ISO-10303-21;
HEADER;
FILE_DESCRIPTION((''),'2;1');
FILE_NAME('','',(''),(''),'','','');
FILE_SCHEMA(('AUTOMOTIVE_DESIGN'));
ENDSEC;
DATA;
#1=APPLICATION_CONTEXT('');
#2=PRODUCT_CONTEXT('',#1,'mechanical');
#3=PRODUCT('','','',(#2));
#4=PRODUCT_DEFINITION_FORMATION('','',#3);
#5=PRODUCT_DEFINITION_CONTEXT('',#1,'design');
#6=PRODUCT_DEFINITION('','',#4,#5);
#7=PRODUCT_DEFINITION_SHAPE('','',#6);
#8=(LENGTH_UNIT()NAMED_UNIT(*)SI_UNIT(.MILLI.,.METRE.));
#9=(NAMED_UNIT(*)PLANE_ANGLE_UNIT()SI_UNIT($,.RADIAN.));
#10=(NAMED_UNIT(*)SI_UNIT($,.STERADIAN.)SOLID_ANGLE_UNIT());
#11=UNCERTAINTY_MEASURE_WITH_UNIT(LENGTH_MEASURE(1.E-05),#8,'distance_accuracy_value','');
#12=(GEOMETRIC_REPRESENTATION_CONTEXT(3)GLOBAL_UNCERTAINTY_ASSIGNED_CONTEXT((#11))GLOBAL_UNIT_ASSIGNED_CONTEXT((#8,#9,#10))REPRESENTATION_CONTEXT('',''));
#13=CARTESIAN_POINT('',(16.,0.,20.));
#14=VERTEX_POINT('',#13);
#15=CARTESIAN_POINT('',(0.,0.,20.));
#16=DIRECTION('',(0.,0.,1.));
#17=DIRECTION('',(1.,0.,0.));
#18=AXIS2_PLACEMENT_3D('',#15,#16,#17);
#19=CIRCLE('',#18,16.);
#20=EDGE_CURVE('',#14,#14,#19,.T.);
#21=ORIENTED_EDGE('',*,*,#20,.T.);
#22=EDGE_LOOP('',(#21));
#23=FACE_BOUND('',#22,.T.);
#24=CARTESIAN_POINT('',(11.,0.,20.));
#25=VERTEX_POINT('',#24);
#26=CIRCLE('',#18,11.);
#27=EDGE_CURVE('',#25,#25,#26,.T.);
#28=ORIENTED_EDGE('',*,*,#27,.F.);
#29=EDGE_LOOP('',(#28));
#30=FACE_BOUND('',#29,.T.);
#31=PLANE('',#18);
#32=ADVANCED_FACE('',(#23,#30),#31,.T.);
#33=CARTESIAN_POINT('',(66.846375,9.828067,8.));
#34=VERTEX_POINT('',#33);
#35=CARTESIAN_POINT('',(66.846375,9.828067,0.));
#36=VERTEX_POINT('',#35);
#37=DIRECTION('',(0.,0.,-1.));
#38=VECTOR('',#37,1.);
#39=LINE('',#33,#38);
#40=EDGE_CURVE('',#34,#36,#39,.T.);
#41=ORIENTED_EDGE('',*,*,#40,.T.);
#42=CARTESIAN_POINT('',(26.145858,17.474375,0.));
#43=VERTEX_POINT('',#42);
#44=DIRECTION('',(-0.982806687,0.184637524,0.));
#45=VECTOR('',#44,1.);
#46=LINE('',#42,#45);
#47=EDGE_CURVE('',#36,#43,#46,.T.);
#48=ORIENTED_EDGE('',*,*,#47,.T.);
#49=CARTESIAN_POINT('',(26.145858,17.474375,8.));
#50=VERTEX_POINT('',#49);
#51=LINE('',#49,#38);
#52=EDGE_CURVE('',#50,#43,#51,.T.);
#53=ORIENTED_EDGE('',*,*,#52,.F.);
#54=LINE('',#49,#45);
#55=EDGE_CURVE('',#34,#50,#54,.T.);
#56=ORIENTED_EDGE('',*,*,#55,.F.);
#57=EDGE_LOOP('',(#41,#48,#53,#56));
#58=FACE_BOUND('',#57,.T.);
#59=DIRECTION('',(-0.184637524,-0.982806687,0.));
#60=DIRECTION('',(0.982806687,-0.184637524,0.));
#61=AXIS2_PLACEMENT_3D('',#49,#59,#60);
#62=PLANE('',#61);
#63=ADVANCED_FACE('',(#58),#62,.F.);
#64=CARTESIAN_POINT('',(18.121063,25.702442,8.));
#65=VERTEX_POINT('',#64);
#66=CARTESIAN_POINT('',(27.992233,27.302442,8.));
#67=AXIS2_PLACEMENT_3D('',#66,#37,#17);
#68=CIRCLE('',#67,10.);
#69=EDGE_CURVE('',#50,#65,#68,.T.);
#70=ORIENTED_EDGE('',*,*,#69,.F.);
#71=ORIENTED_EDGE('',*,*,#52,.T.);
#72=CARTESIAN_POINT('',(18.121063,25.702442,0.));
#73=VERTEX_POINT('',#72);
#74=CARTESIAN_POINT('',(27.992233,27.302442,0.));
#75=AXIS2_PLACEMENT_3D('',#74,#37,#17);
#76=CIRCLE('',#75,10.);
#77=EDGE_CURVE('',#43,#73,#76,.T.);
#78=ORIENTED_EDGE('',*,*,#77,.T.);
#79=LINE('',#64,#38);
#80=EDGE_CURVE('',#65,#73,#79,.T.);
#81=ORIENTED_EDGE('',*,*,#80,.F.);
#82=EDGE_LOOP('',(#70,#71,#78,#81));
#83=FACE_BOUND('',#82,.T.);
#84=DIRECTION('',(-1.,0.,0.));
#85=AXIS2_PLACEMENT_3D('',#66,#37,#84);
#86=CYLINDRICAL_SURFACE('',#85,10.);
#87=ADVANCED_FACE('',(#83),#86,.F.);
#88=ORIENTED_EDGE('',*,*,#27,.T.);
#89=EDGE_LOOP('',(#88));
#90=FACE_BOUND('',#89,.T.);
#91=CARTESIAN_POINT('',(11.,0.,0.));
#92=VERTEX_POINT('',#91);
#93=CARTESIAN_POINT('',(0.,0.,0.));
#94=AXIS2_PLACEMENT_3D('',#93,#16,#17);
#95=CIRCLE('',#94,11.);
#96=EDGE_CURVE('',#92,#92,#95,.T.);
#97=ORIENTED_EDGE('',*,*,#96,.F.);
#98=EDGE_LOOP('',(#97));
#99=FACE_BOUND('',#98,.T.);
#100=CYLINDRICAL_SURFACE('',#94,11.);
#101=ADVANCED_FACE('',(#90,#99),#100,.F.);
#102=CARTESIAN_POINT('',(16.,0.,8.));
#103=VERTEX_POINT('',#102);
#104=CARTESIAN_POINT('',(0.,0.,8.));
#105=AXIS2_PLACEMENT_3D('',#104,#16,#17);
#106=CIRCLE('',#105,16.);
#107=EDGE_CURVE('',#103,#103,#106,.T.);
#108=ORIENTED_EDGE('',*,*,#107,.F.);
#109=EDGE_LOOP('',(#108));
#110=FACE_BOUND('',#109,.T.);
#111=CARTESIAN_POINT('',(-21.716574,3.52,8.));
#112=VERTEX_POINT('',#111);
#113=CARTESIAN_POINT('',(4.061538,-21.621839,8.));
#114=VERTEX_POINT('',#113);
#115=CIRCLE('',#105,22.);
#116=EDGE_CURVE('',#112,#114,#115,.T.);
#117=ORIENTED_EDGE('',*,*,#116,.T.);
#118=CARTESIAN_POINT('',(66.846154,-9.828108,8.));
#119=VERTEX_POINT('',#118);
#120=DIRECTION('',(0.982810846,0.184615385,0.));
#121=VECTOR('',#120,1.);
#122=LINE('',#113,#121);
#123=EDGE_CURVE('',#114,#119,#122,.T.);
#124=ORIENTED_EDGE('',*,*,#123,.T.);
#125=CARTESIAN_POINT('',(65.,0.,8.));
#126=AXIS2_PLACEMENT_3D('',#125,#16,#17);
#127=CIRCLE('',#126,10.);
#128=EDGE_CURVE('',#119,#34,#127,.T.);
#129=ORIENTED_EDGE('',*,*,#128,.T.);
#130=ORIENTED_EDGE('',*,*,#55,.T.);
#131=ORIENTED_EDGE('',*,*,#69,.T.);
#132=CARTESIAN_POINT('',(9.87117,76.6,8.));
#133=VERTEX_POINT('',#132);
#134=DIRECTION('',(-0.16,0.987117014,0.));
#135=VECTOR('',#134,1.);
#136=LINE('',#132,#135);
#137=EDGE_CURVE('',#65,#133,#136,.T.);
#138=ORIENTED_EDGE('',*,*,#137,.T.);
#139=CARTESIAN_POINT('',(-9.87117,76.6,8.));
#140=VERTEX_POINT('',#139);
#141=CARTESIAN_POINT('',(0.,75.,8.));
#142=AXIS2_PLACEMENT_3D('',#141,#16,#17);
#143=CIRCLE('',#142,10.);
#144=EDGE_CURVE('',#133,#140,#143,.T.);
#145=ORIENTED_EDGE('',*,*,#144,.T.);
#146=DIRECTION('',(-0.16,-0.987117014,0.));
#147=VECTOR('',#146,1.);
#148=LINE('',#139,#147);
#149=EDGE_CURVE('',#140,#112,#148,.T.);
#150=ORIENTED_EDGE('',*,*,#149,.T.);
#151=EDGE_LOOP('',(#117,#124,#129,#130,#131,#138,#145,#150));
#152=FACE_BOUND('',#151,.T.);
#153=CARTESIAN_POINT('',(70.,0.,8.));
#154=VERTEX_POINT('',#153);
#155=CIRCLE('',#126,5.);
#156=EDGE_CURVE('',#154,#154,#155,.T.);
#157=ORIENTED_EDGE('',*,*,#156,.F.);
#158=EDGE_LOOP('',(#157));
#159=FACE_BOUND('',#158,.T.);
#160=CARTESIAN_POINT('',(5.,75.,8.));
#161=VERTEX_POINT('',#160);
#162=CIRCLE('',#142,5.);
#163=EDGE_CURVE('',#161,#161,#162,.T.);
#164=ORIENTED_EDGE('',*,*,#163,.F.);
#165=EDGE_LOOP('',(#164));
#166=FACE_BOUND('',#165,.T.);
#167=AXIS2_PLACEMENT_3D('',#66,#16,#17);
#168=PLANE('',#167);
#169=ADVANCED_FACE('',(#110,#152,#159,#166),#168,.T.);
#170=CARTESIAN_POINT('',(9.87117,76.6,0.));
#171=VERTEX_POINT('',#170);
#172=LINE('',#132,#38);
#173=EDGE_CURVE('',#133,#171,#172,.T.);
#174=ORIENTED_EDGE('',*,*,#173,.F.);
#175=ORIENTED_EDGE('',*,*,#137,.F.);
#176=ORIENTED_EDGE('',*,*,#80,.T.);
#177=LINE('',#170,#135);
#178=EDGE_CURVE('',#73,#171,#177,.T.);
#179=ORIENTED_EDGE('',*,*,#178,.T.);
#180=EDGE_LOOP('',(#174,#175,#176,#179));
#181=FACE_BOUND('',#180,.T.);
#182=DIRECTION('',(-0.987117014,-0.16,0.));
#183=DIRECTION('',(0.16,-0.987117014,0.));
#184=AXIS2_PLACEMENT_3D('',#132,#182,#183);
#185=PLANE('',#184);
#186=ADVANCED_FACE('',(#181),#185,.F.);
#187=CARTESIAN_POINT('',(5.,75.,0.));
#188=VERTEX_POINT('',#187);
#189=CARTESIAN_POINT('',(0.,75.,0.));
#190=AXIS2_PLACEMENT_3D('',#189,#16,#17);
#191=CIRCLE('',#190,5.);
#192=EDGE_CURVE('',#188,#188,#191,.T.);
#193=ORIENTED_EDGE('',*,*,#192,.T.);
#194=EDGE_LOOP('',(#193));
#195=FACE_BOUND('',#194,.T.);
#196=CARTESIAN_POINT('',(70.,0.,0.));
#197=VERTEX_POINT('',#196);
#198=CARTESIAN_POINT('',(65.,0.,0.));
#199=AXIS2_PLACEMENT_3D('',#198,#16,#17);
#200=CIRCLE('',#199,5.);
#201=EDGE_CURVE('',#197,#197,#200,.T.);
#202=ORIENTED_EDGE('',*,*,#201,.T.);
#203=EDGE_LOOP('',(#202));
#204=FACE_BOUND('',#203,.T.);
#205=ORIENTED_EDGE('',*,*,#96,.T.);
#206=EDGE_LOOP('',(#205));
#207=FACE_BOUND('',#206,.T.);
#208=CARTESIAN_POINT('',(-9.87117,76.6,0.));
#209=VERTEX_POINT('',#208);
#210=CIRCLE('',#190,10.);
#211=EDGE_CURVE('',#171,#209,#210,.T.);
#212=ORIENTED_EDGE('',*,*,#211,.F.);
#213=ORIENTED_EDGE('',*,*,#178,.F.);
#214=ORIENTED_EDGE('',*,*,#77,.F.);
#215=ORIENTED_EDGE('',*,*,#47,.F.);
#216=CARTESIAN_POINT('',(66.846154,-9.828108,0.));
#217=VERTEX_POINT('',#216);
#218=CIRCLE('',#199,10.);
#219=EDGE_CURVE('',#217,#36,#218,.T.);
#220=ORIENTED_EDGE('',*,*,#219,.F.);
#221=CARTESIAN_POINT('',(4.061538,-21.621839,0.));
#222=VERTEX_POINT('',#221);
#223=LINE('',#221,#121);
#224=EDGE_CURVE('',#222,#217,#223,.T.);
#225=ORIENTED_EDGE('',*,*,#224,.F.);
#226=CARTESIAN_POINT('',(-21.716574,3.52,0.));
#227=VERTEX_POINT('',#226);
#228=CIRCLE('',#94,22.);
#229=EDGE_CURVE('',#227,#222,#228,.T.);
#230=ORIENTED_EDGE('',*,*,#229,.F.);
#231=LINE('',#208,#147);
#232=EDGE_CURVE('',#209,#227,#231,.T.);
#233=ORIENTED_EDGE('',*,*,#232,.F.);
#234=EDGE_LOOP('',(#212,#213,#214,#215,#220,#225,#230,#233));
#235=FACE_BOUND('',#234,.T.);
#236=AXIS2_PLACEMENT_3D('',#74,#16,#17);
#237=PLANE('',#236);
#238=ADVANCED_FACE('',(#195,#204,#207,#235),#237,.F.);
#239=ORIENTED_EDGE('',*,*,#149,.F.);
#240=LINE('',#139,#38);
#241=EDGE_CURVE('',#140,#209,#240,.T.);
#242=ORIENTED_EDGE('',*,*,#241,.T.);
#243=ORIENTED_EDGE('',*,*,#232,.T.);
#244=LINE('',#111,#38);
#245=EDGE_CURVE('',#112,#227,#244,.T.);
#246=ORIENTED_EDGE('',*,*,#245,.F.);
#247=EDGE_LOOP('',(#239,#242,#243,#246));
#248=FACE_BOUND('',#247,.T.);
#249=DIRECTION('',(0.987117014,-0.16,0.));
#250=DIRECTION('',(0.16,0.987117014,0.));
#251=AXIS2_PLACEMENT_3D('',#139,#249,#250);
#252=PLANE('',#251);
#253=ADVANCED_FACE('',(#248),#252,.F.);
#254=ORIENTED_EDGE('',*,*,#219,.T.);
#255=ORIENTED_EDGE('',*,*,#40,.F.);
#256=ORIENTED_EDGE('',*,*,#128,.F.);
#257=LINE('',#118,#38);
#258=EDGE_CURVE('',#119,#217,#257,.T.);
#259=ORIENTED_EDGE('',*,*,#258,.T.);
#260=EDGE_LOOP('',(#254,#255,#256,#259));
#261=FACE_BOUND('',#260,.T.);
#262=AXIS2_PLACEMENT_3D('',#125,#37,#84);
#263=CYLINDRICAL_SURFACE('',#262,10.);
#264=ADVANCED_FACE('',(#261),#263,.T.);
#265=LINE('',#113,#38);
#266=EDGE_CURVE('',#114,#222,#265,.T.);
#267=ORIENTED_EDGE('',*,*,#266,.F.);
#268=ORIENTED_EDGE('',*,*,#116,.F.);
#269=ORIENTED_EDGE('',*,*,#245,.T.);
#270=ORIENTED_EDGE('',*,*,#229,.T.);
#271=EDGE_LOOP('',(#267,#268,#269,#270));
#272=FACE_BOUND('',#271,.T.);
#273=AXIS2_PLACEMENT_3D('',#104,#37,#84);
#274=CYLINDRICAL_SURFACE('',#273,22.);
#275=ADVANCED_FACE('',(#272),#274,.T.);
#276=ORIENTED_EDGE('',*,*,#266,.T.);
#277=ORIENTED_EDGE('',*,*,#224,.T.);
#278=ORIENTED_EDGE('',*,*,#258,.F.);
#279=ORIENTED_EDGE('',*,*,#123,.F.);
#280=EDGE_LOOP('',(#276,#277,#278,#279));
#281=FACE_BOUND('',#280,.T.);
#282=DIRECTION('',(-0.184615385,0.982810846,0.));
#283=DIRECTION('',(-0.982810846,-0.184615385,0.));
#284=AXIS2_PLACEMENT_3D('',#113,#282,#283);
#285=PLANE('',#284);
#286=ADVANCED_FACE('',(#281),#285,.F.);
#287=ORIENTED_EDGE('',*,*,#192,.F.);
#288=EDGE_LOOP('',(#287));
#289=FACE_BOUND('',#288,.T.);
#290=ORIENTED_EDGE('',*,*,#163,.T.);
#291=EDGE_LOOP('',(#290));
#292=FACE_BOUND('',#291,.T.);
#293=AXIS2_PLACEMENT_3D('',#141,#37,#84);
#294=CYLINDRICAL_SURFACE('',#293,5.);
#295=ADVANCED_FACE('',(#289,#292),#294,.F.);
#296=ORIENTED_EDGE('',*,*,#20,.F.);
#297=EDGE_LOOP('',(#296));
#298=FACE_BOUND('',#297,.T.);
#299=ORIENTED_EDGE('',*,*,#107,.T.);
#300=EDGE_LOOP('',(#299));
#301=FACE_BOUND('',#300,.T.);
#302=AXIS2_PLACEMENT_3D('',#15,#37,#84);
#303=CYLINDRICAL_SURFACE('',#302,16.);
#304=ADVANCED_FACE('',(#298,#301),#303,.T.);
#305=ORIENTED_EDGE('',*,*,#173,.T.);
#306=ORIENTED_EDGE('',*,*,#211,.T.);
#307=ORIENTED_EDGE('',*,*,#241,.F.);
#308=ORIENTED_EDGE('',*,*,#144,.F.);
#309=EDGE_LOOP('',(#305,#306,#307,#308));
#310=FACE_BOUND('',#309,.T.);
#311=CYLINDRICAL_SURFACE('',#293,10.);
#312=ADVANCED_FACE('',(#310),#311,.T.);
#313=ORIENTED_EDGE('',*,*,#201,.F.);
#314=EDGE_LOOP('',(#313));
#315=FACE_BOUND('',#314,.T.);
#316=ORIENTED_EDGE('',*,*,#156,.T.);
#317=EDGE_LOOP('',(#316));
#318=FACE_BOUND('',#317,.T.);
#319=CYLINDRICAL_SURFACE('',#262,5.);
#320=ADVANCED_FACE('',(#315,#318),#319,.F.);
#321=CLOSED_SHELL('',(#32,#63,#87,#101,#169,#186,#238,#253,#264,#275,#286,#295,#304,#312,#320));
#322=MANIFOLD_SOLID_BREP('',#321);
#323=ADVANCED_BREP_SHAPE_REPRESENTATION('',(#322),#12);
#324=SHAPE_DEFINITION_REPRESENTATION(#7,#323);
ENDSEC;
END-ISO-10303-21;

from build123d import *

# Parameters (mm, degrees)
SKETCH1_R           = 5
BOSS_EXTRUDE1_DEPTH = 8
SKETCH4_R           = 16
BOSS_EXTRUDE3_DEPTH = 12
SKETCH5_R           = 11
CUT_EXTRUDE3_DEPTH  = 116.108644332


with BuildPart() as part:
    # Sketch1 → Boss-Extrude1 (new body)
    with BuildSketch(Plane.XY):
        with BuildLine():
            Line((-9.871170143, 76.6), (-21.716574315, 3.52))
            ThreePointArc((-21.716574315, 3.52), (-15.360764468, -15.749505229), (4.061538462, -21.62183862))
            Line((4.061538462, -21.62183862), (66.846153846, -9.828108464))
            ThreePointArc((66.846153846, -9.828108464), (74.999999999, -0.000112634), (66.846375241, 9.828066874))
            Line((66.846375241, 9.828066874), (26.145857586, 17.474375048))
            ThreePointArc((26.145857586, 17.474375048), (20.833288171, 20.320356887), (18.121062683, 25.702441922))
            Line((18.121062683, 25.702441922), (9.871170143, 76.6))
            ThreePointArc((9.871170143, 76.6), (0, 85), (-9.871170143, 76.6))
        make_face()
        with Locations((0, 75)):
            Circle(SKETCH1_R, mode=Mode.SUBTRACT)
        with Locations((65, 0)):
            Circle(SKETCH1_R, mode=Mode.SUBTRACT)
    extrude(amount=BOSS_EXTRUDE1_DEPTH)

    # Sketch4 → Boss-Extrude3 (add)
    with BuildSketch(Plane.XY.offset(8)):
        Circle(SKETCH4_R)
    extrude(amount=BOSS_EXTRUDE3_DEPTH)

    # Sketch5 → Cut-Extrude3 (cut, through all)
    with BuildSketch(Plane.XY.offset(20)):
        Circle(SKETCH5_R)
    extrude(amount=-CUT_EXTRUDE3_DEPTH, mode=Mode.SUBTRACT)


solid = part.part
